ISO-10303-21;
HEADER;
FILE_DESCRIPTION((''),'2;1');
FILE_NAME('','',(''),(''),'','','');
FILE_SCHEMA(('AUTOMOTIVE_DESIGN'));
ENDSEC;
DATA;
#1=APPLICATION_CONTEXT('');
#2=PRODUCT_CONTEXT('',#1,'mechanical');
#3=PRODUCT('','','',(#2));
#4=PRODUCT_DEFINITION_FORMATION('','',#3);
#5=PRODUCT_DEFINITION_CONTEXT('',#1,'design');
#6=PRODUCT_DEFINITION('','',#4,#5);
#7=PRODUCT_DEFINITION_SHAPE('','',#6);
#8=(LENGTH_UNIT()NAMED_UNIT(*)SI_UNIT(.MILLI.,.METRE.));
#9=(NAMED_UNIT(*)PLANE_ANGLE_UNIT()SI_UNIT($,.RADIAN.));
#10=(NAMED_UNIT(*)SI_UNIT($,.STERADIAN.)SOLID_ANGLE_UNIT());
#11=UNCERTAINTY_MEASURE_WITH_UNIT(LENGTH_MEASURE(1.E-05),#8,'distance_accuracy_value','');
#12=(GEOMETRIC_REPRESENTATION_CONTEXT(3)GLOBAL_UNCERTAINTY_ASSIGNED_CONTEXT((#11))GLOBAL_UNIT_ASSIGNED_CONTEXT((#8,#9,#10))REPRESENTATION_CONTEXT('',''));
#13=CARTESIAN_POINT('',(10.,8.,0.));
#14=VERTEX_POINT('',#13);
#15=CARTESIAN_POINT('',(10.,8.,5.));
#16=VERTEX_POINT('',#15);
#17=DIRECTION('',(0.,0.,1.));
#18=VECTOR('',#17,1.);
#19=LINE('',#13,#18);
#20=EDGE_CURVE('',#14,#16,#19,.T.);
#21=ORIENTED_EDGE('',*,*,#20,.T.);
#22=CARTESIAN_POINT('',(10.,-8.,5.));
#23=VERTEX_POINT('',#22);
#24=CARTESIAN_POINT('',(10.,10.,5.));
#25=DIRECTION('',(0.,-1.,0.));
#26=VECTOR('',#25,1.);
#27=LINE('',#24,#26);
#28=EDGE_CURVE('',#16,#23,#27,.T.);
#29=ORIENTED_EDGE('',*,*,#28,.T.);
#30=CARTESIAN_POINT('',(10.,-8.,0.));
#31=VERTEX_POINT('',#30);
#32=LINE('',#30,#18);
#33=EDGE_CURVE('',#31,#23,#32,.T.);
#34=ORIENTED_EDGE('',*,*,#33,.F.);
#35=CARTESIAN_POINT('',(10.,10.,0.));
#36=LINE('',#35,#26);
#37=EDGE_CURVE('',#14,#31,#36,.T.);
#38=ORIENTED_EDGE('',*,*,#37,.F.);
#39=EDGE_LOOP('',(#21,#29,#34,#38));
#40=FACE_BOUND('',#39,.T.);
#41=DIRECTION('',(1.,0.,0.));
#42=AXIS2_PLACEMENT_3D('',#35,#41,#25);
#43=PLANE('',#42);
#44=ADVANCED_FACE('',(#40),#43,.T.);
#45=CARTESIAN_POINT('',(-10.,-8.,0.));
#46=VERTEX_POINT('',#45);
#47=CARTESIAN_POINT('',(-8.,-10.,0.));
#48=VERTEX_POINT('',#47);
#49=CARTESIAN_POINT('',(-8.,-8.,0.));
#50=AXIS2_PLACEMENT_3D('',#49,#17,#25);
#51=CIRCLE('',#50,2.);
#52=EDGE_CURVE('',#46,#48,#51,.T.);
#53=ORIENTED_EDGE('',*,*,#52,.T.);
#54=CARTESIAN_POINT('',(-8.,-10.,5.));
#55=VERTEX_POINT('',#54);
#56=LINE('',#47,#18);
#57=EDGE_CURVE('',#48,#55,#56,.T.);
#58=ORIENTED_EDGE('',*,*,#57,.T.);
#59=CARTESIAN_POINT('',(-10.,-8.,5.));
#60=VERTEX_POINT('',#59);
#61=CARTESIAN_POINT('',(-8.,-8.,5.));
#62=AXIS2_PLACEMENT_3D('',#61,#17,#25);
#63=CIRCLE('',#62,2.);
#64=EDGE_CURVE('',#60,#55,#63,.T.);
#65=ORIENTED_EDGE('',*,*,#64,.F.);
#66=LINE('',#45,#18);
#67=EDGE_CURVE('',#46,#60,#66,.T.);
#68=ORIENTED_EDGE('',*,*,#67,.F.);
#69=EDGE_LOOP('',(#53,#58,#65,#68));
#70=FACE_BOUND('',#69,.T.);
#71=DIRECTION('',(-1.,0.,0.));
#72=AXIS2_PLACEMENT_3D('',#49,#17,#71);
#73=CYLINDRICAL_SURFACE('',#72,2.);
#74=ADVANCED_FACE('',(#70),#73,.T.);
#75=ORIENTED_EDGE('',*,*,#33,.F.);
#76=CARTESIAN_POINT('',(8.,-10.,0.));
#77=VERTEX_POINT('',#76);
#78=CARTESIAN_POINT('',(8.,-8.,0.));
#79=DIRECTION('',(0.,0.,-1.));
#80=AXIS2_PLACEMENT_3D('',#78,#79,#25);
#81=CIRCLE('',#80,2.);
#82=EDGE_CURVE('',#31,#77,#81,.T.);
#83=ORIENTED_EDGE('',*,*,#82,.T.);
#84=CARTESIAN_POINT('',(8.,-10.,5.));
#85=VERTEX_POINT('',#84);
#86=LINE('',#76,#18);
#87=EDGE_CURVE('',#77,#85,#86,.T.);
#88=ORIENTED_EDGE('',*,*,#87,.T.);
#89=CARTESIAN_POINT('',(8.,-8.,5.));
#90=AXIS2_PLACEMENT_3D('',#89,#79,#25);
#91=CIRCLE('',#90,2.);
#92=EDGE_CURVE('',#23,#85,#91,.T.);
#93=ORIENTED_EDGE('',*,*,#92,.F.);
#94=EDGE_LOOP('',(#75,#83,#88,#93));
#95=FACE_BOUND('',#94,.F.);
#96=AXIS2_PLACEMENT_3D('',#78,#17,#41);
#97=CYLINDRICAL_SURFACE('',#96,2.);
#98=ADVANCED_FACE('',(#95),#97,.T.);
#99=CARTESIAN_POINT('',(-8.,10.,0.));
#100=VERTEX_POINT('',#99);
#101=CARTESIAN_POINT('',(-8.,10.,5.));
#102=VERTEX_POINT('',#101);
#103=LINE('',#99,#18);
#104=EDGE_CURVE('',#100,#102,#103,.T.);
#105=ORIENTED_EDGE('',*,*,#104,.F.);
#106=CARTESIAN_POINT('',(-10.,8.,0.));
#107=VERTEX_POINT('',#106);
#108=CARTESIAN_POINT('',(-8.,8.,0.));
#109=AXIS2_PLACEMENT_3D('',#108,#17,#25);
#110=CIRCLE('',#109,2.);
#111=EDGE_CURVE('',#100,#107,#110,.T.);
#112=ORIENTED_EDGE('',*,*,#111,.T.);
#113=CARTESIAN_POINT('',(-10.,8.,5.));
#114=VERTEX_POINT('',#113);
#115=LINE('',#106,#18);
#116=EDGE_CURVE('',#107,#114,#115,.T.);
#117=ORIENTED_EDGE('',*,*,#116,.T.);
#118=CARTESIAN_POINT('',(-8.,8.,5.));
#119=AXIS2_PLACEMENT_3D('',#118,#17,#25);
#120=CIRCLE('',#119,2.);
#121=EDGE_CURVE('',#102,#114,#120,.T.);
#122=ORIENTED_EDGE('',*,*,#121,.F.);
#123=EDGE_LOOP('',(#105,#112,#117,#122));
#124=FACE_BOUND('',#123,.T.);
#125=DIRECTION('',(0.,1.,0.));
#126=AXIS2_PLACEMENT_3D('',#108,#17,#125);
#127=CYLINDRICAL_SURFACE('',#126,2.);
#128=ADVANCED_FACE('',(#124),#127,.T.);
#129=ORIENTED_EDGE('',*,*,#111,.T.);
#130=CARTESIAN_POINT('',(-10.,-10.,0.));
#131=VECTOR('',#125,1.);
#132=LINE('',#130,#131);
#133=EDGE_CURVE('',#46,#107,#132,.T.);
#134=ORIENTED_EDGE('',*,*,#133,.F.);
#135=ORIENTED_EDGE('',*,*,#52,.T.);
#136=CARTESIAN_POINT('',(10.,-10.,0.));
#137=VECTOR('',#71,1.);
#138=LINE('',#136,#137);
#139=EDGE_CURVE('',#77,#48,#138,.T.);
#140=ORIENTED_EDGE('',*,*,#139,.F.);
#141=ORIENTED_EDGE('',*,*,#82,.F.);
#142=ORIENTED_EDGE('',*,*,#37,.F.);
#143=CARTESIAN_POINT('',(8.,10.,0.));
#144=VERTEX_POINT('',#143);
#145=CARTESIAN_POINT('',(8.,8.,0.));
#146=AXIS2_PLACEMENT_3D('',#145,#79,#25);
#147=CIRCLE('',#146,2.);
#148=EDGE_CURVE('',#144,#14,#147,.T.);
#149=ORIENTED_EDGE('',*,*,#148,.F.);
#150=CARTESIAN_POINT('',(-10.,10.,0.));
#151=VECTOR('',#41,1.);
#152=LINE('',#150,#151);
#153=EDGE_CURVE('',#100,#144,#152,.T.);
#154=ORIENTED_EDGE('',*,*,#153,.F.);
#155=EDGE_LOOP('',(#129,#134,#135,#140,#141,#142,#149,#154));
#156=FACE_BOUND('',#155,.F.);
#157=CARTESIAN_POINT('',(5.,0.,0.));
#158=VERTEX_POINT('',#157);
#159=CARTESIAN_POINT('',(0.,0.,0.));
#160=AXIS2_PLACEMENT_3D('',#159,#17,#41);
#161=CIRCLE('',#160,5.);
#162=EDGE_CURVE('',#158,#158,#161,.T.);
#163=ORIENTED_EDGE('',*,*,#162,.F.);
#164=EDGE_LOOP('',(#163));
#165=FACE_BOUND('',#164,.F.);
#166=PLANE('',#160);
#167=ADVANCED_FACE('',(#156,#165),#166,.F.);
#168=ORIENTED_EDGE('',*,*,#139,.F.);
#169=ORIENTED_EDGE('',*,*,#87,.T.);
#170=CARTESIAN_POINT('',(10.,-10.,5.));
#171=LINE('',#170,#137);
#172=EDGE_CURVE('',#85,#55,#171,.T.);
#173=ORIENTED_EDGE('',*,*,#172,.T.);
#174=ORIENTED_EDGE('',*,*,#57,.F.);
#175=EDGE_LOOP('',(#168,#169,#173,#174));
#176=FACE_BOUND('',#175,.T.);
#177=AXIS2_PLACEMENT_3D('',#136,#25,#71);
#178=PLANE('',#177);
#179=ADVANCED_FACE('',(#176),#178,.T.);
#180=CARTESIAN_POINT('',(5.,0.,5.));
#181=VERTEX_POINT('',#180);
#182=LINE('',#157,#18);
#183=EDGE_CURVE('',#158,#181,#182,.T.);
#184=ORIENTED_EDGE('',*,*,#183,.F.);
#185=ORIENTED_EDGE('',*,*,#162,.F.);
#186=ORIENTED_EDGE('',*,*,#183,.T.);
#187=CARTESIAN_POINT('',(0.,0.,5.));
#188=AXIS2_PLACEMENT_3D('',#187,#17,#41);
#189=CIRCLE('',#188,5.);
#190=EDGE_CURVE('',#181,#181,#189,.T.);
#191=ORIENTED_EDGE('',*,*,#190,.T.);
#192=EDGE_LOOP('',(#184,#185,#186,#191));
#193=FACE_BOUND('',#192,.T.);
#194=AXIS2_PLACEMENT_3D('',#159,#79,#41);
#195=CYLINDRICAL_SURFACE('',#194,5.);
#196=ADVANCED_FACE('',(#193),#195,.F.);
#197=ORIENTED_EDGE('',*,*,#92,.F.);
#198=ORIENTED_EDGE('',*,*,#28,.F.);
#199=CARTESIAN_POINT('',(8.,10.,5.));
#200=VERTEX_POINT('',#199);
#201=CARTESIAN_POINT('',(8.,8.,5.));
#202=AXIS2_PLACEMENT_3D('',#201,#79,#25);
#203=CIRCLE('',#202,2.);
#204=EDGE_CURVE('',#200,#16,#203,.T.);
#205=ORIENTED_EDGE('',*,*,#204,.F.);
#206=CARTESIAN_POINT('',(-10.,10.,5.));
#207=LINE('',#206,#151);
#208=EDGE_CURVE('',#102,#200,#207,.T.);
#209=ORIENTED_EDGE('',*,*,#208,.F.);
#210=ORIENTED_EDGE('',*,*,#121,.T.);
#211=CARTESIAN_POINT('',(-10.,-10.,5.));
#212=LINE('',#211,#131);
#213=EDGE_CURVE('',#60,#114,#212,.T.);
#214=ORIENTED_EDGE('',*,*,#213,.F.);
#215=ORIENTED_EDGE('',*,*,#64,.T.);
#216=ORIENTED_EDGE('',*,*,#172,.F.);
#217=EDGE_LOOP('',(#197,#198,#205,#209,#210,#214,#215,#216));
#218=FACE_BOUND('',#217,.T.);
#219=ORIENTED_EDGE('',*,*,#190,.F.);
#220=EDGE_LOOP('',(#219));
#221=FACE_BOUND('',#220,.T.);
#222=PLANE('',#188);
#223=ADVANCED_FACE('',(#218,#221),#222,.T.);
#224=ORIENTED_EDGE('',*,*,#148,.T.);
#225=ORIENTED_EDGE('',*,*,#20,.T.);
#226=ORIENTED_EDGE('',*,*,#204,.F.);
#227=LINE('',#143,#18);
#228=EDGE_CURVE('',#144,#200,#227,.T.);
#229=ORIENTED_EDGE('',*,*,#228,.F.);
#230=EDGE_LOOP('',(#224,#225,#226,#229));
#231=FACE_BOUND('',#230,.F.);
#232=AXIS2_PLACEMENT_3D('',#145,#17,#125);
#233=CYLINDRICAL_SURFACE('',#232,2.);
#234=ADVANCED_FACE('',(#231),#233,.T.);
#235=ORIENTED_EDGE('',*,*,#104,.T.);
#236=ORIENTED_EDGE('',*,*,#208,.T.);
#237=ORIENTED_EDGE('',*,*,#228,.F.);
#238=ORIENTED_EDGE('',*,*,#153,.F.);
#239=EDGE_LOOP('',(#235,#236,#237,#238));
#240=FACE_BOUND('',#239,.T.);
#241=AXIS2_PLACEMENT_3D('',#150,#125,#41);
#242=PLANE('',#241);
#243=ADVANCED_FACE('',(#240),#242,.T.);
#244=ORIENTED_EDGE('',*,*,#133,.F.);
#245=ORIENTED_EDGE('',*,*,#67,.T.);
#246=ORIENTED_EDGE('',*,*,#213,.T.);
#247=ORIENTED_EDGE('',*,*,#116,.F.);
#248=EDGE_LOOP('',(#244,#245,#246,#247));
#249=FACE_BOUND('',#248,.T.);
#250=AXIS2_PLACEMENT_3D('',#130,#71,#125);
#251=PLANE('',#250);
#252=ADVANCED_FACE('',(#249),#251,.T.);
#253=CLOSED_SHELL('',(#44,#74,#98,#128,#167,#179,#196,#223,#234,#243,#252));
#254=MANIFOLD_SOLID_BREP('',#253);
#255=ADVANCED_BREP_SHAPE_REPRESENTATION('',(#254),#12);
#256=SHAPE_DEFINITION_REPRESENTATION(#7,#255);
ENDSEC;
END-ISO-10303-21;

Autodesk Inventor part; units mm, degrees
ref_plane "YZ Plane" through (0, 0, 0) normal (1, 0, 0) x (0, 1, 0)
ref_plane "XZ Plane" through (0, 0, 0) normal (0, 1, 0) x (-1, 0, 0)
ref_plane "XY Plane" through (0, 0, 0) normal (0, 0, 1) x (1, 0, 0)
sketch "スケッチ1" plane through (0, 0, 0) normal (0, 0, 1) x (1, 0, 0)
  line L0 (-10, 10) -> (10, 10)
  line L1 (10, 10) -> (10, -10)
  line L2 (10, -10) -> (-10, -10)
  line L3 (-10, -10) -> (-10, 10)
  point P0 (0, 0)
  dimension "d0" = 20
  dimension "d1" = 20
  dimension "d2" = 10
  dimension "d3" = 10
extrude "押し出し1" add sketch "スケッチ1" along normal blind 5
sketch "スケッチ2" plane through (0, 0, 0) normal (0, 0, 1) x (1, 0, 0)
  circle A0 centre (0, 0) radius 5
  dimension "d6" = 10
extrude "押し出し2" cut sketch "スケッチ2" along normal blind 5
fillet "フィレット1" radius 2 4 edges at (10, 10, 2.5) (10, -10, 2.5) (-10, -10, 2.5) (-10, 10, 2.5)
properties part number "HbSensorCushion02" material "ゴム"
